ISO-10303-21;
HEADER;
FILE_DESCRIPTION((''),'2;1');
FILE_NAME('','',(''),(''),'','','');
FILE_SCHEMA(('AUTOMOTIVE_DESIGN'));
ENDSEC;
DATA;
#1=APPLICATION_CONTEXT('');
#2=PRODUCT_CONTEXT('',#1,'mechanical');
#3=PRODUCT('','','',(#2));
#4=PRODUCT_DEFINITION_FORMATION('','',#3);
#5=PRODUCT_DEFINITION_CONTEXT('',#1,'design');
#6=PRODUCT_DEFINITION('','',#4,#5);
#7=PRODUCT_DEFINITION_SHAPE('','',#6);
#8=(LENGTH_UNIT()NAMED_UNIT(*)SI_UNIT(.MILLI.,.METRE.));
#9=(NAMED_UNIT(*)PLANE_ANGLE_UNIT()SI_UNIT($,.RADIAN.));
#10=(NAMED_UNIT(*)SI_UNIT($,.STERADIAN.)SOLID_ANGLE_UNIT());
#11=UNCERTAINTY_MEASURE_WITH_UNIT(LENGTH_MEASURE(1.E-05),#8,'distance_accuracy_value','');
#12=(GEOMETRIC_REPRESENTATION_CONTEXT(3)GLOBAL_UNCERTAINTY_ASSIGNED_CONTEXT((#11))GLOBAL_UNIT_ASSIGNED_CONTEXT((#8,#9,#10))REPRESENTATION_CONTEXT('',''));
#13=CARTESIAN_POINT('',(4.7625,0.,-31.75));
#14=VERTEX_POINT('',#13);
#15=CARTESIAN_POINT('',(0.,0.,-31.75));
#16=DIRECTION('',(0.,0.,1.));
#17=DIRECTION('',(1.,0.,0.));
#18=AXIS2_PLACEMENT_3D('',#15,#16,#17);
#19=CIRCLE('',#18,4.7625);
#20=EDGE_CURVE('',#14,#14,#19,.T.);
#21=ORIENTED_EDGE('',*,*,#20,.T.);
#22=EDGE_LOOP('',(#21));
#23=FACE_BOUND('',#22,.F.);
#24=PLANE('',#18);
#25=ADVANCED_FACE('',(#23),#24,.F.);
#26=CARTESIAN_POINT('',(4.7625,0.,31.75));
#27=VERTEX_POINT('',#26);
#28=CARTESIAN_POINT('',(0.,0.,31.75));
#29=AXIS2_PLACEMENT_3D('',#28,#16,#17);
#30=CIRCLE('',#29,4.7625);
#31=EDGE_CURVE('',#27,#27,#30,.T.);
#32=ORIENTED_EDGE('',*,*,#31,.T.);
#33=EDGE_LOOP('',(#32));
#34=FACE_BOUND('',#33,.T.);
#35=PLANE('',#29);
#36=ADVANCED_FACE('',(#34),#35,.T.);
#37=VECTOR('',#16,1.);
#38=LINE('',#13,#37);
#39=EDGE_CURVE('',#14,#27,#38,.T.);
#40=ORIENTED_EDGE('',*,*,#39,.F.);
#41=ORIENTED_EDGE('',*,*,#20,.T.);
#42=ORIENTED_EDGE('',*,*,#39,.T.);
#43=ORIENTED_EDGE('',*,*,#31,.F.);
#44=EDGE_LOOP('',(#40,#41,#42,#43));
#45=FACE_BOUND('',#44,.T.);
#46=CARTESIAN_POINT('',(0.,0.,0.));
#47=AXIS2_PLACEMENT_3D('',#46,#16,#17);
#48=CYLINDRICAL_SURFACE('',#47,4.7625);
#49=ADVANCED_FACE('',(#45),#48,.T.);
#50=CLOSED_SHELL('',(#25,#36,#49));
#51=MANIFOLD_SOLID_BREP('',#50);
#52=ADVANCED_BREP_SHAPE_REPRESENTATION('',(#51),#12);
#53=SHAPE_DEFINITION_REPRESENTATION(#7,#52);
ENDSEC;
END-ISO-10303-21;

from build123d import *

# Parameters (mm, degrees)
SKETCH1_R           = 4.7625
BOSS_EXTRUDE1_DEPTH = 31.75


with BuildPart() as part:
    # Sketch1 → Boss-Extrude1 (new body, symmetric)
    with BuildSketch(Plane.XY):
        Circle(SKETCH1_R)
    extrude(amount=BOSS_EXTRUDE1_DEPTH, both=True)


solid = part.part
